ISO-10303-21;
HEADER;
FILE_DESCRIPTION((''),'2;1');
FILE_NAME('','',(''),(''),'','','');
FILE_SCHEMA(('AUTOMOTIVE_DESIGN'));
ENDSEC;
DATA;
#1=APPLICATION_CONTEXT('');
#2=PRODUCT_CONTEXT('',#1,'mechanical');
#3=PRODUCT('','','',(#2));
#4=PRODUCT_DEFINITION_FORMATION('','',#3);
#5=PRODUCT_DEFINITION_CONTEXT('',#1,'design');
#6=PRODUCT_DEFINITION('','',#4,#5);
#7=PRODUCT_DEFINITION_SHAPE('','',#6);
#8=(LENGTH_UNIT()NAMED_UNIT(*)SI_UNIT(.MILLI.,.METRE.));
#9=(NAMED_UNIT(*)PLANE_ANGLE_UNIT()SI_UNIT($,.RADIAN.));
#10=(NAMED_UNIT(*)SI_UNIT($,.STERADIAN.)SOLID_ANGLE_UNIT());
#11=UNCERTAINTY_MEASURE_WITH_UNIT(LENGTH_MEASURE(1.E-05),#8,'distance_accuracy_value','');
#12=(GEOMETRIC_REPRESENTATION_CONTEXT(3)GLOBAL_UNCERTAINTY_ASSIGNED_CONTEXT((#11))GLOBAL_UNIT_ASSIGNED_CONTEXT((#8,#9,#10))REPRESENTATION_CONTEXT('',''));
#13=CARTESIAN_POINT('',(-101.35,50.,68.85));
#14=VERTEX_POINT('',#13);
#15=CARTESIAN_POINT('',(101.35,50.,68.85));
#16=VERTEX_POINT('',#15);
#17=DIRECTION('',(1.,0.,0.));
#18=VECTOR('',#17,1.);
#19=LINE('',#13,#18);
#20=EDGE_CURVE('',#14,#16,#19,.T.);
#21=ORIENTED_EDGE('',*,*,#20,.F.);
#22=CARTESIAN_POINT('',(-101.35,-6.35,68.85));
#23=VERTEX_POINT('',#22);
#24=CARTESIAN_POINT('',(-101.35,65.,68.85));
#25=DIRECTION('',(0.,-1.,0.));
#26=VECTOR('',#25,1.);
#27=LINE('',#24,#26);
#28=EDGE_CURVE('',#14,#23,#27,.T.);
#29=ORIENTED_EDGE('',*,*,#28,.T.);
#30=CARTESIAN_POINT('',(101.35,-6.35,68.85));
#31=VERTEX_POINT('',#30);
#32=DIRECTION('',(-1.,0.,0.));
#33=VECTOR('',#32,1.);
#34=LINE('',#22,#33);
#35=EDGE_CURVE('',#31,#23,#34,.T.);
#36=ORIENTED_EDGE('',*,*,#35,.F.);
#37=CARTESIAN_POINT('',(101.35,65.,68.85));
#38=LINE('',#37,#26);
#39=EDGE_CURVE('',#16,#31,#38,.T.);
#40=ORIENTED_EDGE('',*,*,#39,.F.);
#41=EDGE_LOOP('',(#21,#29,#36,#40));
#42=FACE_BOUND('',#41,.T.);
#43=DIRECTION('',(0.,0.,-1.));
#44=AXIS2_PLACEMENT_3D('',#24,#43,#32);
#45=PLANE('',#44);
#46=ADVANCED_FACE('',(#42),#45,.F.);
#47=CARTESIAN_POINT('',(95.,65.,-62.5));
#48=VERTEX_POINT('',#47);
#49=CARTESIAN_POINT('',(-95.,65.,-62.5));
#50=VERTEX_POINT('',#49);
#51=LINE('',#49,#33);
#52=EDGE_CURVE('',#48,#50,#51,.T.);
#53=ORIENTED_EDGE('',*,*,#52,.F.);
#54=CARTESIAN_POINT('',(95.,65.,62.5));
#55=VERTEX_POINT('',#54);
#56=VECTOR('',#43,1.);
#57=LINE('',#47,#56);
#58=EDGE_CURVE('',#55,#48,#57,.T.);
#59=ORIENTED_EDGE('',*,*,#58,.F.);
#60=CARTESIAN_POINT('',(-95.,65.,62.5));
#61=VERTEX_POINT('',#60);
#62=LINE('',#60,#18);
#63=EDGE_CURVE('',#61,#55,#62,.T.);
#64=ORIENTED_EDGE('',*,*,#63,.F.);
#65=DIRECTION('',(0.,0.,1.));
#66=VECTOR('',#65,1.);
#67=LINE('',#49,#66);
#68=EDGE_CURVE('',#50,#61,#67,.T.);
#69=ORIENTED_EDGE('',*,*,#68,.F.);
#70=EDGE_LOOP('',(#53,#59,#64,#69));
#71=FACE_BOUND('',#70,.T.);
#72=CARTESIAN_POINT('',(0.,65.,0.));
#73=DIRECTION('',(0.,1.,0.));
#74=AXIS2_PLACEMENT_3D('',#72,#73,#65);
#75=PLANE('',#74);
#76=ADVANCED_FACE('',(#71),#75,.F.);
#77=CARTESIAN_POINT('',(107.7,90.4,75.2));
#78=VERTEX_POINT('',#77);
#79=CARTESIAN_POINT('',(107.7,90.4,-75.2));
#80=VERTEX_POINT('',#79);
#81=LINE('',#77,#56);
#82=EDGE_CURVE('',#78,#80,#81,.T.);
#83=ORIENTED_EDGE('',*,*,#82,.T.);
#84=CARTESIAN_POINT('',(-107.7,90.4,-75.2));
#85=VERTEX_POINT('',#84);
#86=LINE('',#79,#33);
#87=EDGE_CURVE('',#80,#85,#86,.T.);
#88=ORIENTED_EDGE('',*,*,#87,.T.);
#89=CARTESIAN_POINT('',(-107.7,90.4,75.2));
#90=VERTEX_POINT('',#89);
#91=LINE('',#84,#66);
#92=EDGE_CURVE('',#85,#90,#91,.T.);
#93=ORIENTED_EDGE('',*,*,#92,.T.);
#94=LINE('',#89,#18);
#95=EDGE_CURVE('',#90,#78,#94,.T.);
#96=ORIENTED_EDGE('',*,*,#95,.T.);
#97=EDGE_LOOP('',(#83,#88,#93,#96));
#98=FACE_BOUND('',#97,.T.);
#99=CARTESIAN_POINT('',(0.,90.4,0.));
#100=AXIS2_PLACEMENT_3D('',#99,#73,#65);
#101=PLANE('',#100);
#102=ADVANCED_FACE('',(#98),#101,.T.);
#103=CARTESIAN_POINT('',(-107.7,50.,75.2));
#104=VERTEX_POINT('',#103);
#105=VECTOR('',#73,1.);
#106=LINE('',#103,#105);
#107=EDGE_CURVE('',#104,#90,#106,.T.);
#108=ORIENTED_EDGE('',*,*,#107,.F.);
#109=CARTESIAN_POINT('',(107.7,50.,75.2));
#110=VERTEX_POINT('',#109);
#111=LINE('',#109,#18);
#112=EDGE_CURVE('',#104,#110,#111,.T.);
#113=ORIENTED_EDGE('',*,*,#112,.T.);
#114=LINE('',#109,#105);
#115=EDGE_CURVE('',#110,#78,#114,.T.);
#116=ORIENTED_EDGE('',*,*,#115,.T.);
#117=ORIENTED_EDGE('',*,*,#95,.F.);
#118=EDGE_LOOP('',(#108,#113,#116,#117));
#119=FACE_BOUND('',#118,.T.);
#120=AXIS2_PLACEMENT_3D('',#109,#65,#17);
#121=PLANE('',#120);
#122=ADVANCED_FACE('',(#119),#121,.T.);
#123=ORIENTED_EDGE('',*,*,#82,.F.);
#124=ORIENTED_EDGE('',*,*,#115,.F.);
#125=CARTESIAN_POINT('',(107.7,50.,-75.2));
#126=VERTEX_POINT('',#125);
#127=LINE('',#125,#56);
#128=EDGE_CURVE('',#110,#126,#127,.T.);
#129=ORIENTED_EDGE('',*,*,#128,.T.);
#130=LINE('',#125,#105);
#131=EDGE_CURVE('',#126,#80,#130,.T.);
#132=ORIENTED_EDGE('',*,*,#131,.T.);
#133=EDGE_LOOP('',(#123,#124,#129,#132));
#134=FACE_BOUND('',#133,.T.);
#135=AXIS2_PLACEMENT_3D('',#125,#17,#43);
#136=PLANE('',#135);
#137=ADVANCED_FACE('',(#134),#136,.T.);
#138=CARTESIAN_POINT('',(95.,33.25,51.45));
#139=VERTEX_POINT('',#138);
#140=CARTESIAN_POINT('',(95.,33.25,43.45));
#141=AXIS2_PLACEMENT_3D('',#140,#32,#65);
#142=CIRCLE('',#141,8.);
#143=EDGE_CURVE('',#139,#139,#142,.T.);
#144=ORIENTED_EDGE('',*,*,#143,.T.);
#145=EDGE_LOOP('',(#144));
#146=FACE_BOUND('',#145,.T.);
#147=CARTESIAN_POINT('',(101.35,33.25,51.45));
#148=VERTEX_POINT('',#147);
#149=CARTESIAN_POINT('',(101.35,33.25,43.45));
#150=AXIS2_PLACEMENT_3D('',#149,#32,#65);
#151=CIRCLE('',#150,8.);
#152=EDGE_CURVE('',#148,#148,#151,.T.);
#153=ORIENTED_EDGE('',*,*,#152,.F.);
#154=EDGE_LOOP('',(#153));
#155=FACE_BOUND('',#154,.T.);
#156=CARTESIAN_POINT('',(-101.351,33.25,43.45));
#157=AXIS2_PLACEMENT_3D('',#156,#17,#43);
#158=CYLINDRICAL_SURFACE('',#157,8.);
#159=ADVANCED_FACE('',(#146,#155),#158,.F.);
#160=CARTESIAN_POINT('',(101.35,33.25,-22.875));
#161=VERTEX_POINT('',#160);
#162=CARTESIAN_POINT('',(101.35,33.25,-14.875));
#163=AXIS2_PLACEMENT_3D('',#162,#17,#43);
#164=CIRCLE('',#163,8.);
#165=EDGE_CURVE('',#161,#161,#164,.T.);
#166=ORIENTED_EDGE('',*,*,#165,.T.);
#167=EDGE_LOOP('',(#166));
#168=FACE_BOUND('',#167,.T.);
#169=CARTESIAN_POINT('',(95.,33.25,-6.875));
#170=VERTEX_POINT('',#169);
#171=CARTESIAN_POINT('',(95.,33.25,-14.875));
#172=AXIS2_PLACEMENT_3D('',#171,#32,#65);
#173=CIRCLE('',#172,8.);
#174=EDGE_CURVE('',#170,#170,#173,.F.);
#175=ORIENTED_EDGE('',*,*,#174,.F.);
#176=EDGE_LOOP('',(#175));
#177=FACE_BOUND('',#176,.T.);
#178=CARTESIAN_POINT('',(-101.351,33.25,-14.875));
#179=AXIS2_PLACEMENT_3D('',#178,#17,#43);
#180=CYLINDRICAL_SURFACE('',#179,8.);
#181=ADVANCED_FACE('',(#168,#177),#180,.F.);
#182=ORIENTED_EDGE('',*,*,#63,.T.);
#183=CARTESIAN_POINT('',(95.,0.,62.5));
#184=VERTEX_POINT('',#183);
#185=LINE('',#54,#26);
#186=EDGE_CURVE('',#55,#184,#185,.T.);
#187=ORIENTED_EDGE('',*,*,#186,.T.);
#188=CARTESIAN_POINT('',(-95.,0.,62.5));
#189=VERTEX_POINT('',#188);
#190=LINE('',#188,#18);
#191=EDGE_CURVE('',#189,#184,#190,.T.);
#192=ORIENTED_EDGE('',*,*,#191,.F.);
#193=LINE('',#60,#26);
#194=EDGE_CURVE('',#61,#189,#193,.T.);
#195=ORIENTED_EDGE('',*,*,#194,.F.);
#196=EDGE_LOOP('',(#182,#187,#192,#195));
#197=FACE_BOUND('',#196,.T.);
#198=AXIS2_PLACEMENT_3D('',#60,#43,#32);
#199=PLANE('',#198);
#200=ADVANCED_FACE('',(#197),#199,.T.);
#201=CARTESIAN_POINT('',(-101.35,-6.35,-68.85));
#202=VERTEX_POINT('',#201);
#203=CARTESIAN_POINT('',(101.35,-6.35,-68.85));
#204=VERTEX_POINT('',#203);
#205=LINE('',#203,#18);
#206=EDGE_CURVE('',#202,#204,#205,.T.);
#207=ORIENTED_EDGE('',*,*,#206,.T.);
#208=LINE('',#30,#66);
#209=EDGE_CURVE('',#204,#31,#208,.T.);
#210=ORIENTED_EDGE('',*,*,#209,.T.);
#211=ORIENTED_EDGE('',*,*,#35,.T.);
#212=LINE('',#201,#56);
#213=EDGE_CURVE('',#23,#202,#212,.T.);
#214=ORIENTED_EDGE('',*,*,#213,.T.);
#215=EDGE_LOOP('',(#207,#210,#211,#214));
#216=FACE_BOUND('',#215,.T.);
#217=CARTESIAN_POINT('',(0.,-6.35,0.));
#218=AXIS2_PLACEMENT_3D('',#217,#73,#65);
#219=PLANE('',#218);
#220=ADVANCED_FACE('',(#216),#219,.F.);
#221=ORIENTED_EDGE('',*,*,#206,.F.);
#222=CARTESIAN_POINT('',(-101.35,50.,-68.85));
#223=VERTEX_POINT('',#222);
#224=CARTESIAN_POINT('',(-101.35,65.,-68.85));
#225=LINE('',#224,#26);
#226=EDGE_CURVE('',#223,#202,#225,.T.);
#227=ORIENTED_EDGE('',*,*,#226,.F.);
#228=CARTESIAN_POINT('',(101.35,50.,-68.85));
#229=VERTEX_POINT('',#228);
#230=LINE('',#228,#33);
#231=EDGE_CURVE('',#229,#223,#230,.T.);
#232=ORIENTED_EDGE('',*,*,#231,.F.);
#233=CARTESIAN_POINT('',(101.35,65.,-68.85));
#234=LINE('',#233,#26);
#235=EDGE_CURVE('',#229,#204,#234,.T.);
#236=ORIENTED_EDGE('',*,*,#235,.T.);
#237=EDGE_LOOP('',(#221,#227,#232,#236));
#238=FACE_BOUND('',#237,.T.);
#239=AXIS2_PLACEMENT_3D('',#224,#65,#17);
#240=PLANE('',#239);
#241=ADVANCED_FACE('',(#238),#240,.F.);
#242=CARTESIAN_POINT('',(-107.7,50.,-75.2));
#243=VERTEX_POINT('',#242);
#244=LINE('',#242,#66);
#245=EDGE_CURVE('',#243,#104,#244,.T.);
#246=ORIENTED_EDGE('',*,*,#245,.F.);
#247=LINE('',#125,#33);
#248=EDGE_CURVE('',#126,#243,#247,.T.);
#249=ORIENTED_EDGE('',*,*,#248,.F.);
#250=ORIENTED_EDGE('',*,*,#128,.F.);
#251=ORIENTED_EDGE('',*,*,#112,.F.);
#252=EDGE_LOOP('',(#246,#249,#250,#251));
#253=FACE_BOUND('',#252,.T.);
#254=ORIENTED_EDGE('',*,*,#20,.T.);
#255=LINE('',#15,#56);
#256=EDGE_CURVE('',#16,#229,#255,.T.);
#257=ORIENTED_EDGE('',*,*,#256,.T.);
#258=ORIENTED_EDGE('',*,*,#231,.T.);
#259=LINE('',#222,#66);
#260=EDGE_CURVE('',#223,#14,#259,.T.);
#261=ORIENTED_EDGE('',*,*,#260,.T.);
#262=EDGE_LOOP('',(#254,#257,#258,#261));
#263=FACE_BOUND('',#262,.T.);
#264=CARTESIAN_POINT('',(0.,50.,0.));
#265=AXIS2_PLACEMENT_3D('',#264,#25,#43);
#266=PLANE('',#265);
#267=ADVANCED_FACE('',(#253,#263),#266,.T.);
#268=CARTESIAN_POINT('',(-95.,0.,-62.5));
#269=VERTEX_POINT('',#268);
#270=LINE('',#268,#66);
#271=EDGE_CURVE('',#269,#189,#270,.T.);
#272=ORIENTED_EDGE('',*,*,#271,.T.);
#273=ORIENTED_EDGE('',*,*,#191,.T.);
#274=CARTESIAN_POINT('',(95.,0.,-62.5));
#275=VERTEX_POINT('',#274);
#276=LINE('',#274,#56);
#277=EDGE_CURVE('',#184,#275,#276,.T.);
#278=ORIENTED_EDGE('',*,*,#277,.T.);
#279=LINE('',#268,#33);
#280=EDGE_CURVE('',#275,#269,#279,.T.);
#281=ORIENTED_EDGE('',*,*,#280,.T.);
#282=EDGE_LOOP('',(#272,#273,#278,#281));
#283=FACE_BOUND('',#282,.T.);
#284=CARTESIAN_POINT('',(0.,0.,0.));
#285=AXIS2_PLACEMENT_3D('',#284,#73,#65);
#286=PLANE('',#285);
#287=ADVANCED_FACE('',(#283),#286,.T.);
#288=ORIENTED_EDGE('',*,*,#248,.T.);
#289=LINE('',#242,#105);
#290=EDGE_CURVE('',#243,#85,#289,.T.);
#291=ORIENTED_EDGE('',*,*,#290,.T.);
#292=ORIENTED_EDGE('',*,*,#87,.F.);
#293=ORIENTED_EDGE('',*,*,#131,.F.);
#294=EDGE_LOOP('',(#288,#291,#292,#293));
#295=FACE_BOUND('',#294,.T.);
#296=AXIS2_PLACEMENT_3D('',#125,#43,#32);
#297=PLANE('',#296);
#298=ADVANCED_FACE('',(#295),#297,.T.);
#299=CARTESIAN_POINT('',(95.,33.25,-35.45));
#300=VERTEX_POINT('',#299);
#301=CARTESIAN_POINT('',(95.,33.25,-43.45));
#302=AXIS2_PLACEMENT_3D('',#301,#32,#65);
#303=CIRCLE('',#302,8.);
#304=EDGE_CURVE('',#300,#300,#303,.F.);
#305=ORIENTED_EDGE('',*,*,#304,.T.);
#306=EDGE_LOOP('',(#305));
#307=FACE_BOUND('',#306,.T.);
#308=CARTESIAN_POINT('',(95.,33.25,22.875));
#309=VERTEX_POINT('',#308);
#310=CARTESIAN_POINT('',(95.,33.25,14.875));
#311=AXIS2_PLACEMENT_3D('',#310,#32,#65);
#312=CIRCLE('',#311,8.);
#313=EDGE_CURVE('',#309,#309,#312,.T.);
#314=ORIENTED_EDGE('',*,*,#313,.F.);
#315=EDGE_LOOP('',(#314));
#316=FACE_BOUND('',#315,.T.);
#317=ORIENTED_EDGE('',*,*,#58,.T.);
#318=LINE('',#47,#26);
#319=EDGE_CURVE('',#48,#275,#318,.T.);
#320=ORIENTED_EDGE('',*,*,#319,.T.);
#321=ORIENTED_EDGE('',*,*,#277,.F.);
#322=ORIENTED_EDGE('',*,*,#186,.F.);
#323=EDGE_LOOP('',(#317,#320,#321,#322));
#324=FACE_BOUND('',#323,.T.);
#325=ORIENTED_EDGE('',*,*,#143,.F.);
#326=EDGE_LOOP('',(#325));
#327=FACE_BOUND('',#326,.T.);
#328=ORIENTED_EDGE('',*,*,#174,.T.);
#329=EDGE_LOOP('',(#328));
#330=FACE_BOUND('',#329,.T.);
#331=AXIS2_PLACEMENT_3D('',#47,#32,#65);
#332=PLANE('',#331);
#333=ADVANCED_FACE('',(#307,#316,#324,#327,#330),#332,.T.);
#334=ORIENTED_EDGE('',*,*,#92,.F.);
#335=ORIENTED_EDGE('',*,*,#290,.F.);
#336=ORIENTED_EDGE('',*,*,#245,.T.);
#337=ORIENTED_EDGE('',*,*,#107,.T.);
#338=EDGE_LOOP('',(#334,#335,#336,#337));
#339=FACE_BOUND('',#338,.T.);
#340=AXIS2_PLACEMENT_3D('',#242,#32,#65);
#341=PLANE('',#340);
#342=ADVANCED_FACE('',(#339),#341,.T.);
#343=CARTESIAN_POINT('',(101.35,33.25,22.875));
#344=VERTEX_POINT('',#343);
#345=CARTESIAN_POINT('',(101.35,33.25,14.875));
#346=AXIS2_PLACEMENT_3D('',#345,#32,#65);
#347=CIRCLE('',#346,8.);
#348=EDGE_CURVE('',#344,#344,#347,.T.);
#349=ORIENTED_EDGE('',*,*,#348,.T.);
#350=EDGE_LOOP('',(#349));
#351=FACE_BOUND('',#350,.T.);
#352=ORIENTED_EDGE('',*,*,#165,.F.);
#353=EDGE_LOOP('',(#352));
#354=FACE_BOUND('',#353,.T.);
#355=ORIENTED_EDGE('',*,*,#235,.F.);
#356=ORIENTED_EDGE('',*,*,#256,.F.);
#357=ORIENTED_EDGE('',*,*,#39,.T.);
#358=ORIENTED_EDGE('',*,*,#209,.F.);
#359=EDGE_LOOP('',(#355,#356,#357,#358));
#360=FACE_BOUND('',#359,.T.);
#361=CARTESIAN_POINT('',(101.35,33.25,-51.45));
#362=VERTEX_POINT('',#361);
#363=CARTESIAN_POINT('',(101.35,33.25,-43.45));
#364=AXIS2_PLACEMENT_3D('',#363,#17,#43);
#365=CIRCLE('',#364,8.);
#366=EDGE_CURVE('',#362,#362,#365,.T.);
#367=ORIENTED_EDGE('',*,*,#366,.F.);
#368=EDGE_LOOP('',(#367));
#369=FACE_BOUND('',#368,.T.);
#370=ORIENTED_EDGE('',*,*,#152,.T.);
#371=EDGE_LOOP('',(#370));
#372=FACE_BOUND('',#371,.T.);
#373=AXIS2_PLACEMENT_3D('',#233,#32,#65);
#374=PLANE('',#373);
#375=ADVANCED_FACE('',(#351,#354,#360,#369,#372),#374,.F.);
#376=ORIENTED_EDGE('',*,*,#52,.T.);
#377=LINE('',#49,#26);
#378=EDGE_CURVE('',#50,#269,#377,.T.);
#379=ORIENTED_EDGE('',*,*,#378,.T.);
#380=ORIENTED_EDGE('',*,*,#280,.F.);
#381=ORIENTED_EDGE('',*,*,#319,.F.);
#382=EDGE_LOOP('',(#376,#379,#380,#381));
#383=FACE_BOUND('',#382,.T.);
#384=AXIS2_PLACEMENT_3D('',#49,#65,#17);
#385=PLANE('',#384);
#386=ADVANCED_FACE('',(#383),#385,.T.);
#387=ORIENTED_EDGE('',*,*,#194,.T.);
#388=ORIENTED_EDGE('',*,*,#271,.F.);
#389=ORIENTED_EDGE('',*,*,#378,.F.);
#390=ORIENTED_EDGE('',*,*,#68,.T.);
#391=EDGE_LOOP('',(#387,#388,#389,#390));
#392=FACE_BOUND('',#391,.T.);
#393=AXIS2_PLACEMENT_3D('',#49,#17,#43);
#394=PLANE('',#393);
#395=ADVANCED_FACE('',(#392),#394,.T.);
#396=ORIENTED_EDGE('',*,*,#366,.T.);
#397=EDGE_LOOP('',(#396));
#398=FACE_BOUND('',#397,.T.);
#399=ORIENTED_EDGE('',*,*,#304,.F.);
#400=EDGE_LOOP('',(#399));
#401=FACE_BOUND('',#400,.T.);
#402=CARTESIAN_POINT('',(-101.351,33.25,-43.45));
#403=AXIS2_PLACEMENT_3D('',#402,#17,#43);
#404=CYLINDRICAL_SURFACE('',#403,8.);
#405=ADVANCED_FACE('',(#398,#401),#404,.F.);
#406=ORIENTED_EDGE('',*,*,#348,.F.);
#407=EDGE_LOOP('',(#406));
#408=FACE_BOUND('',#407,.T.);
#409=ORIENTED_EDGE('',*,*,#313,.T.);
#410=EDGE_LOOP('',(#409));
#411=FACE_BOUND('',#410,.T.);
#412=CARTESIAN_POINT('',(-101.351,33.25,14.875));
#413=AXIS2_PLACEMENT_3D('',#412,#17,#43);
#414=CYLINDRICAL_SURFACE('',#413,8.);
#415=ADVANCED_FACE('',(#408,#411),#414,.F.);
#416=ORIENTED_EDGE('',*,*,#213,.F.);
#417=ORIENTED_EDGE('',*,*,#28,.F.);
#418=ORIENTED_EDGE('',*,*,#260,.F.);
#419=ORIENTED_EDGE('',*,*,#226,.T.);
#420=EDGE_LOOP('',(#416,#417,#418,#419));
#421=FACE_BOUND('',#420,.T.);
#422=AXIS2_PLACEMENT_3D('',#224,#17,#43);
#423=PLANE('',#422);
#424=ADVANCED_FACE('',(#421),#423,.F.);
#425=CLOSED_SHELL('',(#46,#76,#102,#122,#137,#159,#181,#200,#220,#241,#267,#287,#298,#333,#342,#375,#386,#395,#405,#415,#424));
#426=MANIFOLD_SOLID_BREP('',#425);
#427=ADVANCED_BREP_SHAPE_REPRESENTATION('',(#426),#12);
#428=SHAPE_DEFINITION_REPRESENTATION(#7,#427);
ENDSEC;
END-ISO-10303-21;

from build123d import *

# Parameters (mm, degrees)
SKETCH1_W           = 202.7
SKETCH1_H           = 137.7
SKETCH1_W_2         = 190
SKETCH1_H_2         = 125
BOSS_EXTRUDE1_DEPTH = 65
SKETCH2_W           = 202.7
SKETCH2_H           = 137.7
BOSS_EXTRUDE2_DEPTH = 6.35
CUT_EXTRUDE1_REACH  = 225.724
SKETCH3_R           = 8
SKETCH4_W           = 215.4
SKETCH4_H           = 150.4
SKETCH4_W_2         = 202.7
SKETCH4_H_2         = 137.7
BOSS_EXTRUDE3_DEPTH = 15
SKETCH5_W           = 215.4
SKETCH5_H           = 150.4
BOSS_EXTRUDE4_DEPTH = 25.4


with BuildPart() as part:
    # Sketch1 → Boss-Extrude1 (new body)
    with BuildSketch(Plane(origin=(0, 0, 0), x_dir=(1, 0, 0), z_dir=(0, 1, 0))):
        Rectangle(SKETCH1_W, SKETCH1_H)
        Rectangle(SKETCH1_W_2, SKETCH1_H_2, mode=Mode.SUBTRACT)
    extrude(amount=BOSS_EXTRUDE1_DEPTH)

    # Sketch2 → Boss-Extrude2 (add)
    with BuildSketch(Plane.XZ):
        Rectangle(SKETCH2_W, SKETCH2_H)
    extrude(amount=BOSS_EXTRUDE2_DEPTH)

    # Sketch3 → Cut-Extrude1 (cut, up to next)
    with BuildSketch(Plane.ZY.offset(-101.35), mode=Mode.PRIVATE) as cut_extrude1_sk1:
        with Locations((14.875, 33.25)):
            Circle(SKETCH3_R)
    cut_extrude1_tool1 = extrude(cut_extrude1_sk1.sketch, amount=CUT_EXTRUDE1_REACH, mode=Mode.PRIVATE) & part.part
    # Sketch3 → Cut-Extrude1 (cut, up to next)
    with BuildSketch(Plane.ZY.offset(-101.35), mode=Mode.PRIVATE) as cut_extrude1_sk2:
        with Locations((43.45, 33.25)):
            Circle(SKETCH3_R)
    cut_extrude1_tool2 = extrude(cut_extrude1_sk2.sketch, amount=CUT_EXTRUDE1_REACH, mode=Mode.PRIVATE) & part.part
    cut_extrude1_1 = cut_extrude1_tool1.solids().sort_by_distance((101.35, 33.25, 14.875))[0]
    add(cut_extrude1_1, mode=Mode.SUBTRACT)
    cut_extrude1_2 = cut_extrude1_tool2.solids().sort_by_distance((101.35, 33.25, 43.45))[0]
    add(cut_extrude1_2, mode=Mode.SUBTRACT)
    cut_extrude1 = cut_extrude1_1 + cut_extrude1_2  # Cut-Extrude1 as one shape, for the pattern or mirror that repeats it

    # Mirror1: Cut-Extrude1 across plane
    add(cut_extrude1.mirror(Plane.XY), mode=Mode.SUBTRACT)

    # Sketch4 → Boss-Extrude3 (add)
    with BuildSketch(Plane(origin=(0, 65, 0), x_dir=(1, 0, 0), z_dir=(0, 1, 0))):
        Rectangle(SKETCH4_W, SKETCH4_H)
        Rectangle(SKETCH4_W_2, SKETCH4_H_2, mode=Mode.SUBTRACT)
    extrude(amount=-BOSS_EXTRUDE3_DEPTH)

    # Sketch5 → Boss-Extrude4 (add)
    with BuildSketch(Plane(origin=(0, 65, 0), x_dir=(1, 0, 0), z_dir=(0, 1, 0))):
        Rectangle(SKETCH5_W, SKETCH5_H)
    extrude(amount=BOSS_EXTRUDE4_DEPTH)


solid = part.part
